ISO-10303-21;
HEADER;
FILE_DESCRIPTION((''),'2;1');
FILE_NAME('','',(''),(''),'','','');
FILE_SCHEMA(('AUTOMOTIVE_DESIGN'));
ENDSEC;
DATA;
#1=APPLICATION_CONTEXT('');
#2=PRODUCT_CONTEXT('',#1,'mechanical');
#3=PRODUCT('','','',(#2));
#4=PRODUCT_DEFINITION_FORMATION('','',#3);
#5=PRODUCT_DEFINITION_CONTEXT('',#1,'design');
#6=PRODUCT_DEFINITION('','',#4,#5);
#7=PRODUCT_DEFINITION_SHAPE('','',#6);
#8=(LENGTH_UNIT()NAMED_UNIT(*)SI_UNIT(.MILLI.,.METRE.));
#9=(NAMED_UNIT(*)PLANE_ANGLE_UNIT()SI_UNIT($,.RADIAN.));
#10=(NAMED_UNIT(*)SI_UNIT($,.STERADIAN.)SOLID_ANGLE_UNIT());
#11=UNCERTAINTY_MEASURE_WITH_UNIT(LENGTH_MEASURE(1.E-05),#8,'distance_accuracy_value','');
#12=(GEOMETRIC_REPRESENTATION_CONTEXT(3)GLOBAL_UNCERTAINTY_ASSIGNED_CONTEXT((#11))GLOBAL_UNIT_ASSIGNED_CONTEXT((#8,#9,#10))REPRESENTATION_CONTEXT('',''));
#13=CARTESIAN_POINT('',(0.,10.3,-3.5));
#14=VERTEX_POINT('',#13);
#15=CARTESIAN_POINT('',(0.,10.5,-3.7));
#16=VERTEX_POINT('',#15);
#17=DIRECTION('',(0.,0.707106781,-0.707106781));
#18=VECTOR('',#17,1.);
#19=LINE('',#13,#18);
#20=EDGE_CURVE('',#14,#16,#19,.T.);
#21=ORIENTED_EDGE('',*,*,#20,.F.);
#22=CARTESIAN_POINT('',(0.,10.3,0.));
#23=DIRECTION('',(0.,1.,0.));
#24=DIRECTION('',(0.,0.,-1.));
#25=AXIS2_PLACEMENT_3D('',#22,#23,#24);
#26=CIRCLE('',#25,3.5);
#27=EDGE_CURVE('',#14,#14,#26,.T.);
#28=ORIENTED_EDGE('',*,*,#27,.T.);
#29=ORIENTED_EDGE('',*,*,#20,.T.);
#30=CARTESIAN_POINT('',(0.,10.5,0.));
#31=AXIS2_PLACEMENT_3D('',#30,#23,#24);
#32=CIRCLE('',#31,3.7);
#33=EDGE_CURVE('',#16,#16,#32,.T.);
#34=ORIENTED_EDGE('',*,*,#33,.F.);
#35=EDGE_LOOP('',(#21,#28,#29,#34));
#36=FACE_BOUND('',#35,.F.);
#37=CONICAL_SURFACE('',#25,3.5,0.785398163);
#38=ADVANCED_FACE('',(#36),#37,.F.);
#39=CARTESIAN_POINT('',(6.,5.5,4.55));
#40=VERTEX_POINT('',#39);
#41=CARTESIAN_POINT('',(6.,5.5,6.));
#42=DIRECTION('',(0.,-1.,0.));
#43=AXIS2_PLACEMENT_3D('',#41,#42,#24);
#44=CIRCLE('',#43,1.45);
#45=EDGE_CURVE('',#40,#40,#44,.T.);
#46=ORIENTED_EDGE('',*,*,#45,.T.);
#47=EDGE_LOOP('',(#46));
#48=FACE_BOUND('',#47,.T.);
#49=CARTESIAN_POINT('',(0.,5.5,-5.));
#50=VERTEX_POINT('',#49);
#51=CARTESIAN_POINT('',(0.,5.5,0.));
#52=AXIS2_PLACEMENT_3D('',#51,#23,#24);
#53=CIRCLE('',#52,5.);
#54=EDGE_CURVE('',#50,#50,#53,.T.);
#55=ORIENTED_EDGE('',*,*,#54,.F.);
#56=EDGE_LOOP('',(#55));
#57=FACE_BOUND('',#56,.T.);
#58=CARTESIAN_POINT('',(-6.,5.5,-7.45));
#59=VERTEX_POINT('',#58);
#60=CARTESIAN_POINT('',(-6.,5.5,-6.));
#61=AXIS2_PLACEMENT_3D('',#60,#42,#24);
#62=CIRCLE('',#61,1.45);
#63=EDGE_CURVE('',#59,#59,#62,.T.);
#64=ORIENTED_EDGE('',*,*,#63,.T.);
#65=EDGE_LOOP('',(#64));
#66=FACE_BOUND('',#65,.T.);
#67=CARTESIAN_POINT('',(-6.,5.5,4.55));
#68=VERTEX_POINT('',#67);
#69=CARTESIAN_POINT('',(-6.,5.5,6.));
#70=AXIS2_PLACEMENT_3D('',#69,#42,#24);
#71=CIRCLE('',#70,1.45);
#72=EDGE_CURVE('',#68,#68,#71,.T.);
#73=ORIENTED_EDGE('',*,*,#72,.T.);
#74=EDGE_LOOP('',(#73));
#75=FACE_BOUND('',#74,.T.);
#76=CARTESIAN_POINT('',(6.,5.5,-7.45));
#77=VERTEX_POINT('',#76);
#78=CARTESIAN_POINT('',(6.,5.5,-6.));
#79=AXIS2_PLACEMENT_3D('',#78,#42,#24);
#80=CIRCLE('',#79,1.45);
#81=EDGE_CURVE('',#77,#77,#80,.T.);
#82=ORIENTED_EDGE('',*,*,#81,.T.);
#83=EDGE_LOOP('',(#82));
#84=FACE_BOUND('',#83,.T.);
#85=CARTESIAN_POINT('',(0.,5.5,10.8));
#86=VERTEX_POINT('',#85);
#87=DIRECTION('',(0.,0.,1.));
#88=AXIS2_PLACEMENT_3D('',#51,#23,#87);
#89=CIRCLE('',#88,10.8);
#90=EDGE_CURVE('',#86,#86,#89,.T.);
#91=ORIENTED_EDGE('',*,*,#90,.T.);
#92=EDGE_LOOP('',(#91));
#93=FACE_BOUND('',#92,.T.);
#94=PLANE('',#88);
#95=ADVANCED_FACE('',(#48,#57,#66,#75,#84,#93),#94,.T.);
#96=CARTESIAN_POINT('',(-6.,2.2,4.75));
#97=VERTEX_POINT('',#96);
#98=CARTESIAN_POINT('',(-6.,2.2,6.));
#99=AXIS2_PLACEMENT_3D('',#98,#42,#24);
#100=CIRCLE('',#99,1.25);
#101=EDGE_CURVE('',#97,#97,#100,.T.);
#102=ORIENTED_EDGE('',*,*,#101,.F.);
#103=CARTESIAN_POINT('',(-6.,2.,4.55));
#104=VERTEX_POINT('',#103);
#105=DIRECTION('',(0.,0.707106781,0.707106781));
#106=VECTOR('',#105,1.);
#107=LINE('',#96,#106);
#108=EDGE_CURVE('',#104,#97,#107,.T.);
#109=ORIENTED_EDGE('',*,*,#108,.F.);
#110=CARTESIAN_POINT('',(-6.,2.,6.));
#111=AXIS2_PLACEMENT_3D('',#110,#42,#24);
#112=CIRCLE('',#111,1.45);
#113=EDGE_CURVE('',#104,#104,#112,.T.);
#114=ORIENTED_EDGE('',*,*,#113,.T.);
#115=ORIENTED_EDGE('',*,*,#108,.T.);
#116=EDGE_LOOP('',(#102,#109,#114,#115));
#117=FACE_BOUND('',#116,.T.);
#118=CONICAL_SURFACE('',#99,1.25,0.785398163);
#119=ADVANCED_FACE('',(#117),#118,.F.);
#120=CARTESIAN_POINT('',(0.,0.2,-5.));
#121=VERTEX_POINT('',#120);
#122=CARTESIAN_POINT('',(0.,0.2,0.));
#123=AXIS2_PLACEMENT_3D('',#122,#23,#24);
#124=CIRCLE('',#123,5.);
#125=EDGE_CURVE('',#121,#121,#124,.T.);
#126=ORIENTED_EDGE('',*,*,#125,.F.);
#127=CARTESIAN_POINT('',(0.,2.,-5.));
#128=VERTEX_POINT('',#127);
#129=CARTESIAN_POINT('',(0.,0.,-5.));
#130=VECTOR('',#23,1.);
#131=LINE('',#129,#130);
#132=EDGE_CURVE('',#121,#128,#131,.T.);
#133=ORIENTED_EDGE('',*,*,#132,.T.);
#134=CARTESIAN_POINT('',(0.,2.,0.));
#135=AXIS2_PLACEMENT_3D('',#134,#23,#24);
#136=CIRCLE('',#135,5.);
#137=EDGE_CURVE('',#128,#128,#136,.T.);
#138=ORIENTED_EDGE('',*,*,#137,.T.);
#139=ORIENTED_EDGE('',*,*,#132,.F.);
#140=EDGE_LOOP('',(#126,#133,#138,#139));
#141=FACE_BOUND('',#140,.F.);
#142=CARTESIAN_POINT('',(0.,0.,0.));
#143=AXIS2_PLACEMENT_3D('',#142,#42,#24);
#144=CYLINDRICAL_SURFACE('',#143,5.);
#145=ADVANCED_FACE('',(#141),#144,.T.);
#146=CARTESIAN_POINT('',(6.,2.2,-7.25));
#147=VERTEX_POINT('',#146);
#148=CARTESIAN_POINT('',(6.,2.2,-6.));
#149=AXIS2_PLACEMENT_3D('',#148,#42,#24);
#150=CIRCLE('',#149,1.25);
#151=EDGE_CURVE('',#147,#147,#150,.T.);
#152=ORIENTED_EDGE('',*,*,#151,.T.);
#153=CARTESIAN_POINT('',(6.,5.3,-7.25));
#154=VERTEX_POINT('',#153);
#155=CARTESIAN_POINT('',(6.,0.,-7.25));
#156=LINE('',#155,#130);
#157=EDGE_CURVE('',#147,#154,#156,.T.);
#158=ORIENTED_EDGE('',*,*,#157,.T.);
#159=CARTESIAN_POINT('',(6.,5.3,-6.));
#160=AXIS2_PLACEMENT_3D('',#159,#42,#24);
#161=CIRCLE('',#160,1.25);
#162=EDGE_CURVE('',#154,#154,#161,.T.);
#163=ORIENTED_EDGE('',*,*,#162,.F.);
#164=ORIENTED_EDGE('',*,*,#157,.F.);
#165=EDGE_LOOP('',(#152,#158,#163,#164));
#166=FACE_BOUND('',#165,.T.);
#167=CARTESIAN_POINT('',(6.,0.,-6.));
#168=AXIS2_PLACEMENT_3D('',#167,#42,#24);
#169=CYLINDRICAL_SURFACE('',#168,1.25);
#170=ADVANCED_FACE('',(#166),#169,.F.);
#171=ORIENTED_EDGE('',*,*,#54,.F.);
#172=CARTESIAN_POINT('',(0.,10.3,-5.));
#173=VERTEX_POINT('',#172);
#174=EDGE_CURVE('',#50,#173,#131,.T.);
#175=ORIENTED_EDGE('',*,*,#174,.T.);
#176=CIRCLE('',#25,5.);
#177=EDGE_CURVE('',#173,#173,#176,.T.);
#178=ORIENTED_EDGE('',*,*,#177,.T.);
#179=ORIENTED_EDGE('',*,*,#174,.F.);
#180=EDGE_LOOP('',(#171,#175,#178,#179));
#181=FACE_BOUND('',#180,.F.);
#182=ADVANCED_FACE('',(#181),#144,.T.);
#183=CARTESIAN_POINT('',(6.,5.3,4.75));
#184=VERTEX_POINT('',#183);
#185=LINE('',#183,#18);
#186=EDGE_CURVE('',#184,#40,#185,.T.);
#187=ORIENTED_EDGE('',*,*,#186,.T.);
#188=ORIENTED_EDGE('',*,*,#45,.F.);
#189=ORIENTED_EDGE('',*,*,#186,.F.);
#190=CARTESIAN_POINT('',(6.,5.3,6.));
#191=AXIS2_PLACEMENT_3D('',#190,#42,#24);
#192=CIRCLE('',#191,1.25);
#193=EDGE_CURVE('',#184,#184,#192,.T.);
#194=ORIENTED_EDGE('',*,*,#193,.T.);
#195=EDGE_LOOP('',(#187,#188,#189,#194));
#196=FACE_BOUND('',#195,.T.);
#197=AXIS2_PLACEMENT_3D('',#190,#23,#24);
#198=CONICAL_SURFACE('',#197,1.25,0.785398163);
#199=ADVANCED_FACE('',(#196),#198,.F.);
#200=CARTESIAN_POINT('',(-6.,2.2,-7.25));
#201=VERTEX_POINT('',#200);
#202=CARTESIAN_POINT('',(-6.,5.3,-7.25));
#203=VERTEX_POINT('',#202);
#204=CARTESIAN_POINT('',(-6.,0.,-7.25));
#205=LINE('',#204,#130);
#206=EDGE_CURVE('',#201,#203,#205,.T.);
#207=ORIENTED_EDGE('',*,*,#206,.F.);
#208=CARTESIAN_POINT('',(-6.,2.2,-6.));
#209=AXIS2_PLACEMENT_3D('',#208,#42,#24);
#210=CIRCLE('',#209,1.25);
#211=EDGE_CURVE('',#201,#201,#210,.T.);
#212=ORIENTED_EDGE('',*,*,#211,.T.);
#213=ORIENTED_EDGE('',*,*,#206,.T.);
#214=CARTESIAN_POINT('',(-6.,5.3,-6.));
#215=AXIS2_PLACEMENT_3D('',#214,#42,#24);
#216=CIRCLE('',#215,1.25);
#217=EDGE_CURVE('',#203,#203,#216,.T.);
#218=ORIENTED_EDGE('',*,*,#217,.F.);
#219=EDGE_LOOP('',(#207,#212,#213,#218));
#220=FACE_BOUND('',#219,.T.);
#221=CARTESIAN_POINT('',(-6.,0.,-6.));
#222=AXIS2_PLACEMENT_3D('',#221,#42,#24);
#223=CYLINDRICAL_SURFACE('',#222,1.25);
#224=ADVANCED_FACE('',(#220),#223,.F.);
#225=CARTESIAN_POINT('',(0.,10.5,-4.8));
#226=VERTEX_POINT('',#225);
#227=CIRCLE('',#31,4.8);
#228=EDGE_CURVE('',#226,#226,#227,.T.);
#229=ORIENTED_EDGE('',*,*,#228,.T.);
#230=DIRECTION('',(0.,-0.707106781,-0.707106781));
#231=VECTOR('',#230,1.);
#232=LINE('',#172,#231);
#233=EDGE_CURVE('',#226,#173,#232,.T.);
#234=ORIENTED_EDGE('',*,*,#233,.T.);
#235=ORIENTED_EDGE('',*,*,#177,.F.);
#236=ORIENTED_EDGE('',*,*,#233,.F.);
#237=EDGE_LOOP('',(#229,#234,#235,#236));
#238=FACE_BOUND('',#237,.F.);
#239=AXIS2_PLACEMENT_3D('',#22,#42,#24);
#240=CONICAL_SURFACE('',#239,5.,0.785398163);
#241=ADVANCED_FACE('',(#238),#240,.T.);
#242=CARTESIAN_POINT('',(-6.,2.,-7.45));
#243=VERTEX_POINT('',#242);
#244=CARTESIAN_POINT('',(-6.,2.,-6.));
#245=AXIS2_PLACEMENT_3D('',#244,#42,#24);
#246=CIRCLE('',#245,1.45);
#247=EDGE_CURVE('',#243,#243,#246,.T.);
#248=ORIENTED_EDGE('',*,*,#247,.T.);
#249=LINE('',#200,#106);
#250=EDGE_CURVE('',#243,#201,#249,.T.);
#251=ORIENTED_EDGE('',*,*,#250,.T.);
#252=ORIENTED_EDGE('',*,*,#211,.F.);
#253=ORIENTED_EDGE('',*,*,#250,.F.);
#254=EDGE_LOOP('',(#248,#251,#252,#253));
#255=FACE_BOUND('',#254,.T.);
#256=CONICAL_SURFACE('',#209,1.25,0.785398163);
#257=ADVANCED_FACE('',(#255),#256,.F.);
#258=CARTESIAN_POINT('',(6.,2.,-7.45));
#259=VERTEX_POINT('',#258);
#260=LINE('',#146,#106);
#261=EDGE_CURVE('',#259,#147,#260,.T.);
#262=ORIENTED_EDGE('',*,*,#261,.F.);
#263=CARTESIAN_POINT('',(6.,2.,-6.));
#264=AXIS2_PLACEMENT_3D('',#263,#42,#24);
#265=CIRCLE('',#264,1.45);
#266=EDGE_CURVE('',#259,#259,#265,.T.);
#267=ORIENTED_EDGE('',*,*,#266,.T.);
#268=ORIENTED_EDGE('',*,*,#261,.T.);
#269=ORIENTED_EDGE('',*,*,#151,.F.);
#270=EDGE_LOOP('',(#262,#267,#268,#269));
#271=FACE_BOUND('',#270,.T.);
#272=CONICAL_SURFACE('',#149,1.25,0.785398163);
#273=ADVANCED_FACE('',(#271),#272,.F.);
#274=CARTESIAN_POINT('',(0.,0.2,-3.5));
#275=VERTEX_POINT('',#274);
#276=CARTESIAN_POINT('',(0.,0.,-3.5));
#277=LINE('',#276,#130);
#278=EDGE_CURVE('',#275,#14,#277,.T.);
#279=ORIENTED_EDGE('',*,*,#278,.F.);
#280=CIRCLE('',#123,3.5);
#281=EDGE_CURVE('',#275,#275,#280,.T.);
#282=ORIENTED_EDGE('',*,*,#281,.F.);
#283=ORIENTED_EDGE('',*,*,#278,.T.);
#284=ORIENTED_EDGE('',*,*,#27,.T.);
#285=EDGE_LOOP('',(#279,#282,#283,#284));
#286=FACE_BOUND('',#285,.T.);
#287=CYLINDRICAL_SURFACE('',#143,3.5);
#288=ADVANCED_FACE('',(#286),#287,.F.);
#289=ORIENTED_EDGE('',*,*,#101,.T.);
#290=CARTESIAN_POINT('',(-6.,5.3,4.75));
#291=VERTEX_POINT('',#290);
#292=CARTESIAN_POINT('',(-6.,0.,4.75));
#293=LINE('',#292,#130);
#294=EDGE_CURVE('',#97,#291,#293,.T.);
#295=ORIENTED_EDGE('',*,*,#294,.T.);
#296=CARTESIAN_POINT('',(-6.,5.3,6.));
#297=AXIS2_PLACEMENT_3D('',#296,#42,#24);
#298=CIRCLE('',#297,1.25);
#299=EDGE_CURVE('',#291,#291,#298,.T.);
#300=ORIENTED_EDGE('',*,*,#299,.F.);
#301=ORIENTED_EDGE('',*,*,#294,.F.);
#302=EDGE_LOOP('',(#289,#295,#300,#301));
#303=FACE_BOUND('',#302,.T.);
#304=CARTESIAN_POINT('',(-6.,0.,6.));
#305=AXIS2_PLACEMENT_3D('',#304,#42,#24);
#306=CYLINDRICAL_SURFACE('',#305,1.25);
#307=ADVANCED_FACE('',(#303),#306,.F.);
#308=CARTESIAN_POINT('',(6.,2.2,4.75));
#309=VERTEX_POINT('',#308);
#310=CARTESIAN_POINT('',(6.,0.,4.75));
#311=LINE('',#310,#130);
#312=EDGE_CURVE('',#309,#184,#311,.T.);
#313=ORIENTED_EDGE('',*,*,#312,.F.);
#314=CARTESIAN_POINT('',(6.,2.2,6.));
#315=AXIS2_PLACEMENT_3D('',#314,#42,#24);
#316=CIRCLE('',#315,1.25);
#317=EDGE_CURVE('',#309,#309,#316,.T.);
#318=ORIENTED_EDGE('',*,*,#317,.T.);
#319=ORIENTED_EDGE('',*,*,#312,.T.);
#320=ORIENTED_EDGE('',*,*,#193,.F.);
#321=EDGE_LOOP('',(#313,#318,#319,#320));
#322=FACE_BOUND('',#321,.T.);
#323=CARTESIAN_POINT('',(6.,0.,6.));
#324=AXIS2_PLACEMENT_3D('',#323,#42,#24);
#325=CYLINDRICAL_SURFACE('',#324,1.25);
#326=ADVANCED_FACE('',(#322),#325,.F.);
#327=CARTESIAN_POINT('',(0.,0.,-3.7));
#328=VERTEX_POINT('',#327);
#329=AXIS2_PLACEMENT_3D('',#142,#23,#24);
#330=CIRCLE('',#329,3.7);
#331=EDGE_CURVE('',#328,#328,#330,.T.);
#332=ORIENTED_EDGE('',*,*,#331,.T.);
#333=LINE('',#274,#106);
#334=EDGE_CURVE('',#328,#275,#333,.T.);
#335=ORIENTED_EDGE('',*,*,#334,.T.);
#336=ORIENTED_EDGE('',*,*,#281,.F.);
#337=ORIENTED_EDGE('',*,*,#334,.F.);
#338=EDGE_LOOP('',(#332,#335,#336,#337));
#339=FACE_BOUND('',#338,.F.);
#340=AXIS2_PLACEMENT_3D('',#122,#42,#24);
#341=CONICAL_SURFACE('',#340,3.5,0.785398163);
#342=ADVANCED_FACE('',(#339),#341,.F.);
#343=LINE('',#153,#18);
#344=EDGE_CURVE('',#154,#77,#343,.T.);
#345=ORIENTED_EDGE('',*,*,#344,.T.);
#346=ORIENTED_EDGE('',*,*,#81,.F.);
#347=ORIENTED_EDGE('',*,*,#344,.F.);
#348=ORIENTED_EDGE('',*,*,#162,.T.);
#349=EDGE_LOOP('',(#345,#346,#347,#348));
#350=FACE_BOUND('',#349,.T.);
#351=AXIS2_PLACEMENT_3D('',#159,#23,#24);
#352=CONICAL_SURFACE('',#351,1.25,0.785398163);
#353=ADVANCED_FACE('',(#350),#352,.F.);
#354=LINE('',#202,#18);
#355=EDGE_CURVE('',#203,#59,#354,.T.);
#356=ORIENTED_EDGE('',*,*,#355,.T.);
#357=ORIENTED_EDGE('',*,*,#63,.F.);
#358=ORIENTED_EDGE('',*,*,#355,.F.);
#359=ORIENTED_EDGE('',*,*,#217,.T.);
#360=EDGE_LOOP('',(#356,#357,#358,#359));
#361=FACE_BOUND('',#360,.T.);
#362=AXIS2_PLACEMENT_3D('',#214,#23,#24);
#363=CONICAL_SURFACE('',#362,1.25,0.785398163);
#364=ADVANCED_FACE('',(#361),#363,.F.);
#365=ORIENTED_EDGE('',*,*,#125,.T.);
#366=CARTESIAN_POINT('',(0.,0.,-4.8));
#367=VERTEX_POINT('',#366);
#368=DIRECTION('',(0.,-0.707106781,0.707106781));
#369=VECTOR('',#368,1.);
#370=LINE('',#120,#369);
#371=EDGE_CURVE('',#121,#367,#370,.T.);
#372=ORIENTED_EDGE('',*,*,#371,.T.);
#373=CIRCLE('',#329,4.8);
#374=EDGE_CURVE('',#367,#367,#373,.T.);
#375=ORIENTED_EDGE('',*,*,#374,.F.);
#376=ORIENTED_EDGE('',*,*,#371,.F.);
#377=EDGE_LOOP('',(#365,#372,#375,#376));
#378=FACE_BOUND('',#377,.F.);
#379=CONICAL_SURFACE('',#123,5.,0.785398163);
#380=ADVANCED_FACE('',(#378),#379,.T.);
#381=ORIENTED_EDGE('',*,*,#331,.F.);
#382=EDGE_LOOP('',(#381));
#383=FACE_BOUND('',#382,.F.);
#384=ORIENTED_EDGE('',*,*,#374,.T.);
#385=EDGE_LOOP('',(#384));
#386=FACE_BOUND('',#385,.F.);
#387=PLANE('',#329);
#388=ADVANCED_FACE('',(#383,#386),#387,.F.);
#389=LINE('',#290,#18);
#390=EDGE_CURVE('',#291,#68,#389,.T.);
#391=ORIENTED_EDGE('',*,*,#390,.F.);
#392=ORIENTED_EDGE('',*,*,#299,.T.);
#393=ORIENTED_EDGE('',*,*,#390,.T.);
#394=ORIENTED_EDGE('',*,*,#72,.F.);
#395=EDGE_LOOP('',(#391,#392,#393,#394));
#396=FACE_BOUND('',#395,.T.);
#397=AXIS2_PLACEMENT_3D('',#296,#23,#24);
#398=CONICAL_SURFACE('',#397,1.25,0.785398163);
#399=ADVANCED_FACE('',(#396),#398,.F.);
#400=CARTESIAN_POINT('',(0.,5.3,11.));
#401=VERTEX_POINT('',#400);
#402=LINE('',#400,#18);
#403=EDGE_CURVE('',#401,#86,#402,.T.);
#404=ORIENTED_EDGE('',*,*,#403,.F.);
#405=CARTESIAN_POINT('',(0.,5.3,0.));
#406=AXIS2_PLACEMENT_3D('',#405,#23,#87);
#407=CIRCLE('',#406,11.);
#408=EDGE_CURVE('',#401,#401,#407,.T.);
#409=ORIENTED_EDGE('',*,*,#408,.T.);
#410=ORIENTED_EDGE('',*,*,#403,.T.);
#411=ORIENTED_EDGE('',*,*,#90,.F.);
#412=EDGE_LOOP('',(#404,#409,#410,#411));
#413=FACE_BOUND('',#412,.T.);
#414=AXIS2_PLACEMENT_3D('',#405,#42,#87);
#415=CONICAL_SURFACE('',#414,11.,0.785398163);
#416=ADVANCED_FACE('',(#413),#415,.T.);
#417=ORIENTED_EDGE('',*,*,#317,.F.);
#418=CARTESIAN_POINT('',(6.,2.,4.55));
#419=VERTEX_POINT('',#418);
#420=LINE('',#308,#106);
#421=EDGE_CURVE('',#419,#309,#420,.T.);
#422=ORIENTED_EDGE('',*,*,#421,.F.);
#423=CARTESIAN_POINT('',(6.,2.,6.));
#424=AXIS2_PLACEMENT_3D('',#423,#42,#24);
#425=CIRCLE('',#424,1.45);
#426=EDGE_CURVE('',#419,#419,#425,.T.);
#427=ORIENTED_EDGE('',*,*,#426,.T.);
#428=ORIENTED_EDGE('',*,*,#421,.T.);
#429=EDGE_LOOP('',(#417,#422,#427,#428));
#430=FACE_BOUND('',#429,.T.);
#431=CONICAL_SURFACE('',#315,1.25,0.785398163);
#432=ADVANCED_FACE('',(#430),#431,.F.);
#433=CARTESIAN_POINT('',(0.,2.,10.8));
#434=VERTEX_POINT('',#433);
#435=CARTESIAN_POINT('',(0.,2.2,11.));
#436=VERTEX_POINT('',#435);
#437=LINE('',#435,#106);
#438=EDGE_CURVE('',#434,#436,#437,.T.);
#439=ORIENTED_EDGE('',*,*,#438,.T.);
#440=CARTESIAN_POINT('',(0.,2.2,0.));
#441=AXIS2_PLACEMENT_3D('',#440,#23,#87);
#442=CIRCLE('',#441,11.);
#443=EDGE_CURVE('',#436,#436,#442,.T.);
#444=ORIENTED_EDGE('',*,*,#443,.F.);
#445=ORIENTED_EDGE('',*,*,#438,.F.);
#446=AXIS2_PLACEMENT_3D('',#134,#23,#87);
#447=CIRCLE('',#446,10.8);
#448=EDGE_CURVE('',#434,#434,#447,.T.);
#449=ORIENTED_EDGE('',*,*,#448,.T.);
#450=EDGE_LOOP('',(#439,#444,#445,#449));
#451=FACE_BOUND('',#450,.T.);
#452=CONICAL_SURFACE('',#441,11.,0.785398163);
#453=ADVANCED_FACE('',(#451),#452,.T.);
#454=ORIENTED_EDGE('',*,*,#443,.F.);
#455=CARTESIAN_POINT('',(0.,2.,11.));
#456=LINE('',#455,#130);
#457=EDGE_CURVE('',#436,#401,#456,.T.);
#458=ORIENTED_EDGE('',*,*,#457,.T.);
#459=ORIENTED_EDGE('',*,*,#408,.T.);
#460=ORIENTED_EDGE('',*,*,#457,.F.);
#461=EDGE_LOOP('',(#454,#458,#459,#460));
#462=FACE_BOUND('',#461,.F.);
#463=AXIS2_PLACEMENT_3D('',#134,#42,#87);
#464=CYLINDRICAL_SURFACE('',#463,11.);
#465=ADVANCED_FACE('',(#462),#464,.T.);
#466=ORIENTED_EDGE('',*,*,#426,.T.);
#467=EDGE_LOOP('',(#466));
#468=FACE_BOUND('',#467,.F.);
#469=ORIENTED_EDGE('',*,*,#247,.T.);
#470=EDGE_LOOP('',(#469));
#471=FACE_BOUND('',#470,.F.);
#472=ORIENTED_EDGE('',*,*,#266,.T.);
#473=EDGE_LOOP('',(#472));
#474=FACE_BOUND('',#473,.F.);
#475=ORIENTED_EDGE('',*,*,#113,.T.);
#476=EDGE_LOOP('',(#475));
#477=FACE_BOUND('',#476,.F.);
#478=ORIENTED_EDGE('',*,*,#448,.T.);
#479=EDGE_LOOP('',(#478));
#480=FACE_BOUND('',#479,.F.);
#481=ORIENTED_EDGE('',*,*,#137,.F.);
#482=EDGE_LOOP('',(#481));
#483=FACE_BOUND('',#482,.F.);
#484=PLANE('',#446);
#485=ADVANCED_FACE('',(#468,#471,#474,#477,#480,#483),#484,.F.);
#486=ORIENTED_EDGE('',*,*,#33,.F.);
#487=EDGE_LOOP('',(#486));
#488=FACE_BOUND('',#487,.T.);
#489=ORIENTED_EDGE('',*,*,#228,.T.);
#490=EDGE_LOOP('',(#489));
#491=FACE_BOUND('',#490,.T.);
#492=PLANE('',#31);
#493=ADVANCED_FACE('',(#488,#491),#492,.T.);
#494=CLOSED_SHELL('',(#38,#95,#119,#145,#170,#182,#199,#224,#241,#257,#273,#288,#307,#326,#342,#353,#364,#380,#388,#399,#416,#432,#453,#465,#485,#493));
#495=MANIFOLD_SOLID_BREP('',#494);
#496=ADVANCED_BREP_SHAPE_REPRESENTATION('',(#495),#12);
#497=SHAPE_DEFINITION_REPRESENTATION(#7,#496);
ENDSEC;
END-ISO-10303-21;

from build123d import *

# Parameters (mm, degrees)
SKETCH1_R           = 5
SKETCH1_R_2         = 3.5
BOSS_EXTRUDE1_DEPTH = 10.5
SKETCH4_R           = 11
SKETCH4_R_2         = 5
BOSS_EXTRUDE2_DEPTH = 3.5
SKETCH5_R           = 1.25
CUT_EXTRUDE2_DEPTH  = 19.768324379
CHAMFER1_SIZE       = 0.2


with BuildPart() as part:
    # Sketch1 → Boss-Extrude1 (new body)
    with BuildSketch(Plane(origin=(0, 0, 0), x_dir=(1, 0, 0), z_dir=(0, 1, 0))):
        with Locations(Location((0, 0, 0), (0, 0, 90))):
            Circle(SKETCH1_R)
        with Locations(Location((0, 0, 0), (0, 0, 90))):
            Circle(SKETCH1_R_2, mode=Mode.SUBTRACT)
    extrude(amount=BOSS_EXTRUDE1_DEPTH)

    # Sketch4 → Boss-Extrude2 (add)
    with BuildSketch(Plane(origin=(0, 2, 0), x_dir=(1, 0, 0), z_dir=(0, 1, 0))):
        with Locations(Location((0, 0, 0), (0, 0, 270))):
            Circle(SKETCH4_R)
        with Locations(Location((0, 0, 0), (0, 0, 90))):
            Circle(SKETCH4_R_2, mode=Mode.SUBTRACT)
    extrude(amount=BOSS_EXTRUDE2_DEPTH)

    # Sketch5 → Cut-Extrude2 (cut, through all)
    with BuildSketch(Plane(origin=(0, 0, 0), x_dir=(1, 0, 0), z_dir=(0, 1, 0))):
        with Locations(Location((-6, 6, 0), (0, 0, 90))):
            Circle(SKETCH5_R)
        with Locations(Location((6, 6, 0), (0, 0, 90))):
            Circle(SKETCH5_R)
        with Locations(Location((6, -6, 0), (0, 0, 90))):
            Circle(SKETCH5_R)
        with Locations(Location((-6, -6, 0), (0, 0, 90))):
            Circle(SKETCH5_R)
    extrude(amount=CUT_EXTRUDE2_DEPTH, mode=Mode.SUBTRACT)

    # Chamfer1
    chamfer1_edges = [part.edges().sort_by_distance(p)[0] for p in [
        (0, 5.5, -11),
        (0, 2, -11),
        (-6, 5.5, -4.75),
        (-6, 2, -4.75),
        (0, 0, 5),
        (6, 5.5, -4.75),
        (6, 2, -4.75),
        (6, 5.5, 7.25),
        (6, 2, 7.25),
        (-6, 5.5, 7.25),
        (-6, 2, 7.25),
        (0, 10.5, 5),
        (0, 0, 3.5),
        (0, 10.5, 3.5),
    ]]
    chamfer(chamfer1_edges, length=CHAMFER1_SIZE)


solid = part.part
